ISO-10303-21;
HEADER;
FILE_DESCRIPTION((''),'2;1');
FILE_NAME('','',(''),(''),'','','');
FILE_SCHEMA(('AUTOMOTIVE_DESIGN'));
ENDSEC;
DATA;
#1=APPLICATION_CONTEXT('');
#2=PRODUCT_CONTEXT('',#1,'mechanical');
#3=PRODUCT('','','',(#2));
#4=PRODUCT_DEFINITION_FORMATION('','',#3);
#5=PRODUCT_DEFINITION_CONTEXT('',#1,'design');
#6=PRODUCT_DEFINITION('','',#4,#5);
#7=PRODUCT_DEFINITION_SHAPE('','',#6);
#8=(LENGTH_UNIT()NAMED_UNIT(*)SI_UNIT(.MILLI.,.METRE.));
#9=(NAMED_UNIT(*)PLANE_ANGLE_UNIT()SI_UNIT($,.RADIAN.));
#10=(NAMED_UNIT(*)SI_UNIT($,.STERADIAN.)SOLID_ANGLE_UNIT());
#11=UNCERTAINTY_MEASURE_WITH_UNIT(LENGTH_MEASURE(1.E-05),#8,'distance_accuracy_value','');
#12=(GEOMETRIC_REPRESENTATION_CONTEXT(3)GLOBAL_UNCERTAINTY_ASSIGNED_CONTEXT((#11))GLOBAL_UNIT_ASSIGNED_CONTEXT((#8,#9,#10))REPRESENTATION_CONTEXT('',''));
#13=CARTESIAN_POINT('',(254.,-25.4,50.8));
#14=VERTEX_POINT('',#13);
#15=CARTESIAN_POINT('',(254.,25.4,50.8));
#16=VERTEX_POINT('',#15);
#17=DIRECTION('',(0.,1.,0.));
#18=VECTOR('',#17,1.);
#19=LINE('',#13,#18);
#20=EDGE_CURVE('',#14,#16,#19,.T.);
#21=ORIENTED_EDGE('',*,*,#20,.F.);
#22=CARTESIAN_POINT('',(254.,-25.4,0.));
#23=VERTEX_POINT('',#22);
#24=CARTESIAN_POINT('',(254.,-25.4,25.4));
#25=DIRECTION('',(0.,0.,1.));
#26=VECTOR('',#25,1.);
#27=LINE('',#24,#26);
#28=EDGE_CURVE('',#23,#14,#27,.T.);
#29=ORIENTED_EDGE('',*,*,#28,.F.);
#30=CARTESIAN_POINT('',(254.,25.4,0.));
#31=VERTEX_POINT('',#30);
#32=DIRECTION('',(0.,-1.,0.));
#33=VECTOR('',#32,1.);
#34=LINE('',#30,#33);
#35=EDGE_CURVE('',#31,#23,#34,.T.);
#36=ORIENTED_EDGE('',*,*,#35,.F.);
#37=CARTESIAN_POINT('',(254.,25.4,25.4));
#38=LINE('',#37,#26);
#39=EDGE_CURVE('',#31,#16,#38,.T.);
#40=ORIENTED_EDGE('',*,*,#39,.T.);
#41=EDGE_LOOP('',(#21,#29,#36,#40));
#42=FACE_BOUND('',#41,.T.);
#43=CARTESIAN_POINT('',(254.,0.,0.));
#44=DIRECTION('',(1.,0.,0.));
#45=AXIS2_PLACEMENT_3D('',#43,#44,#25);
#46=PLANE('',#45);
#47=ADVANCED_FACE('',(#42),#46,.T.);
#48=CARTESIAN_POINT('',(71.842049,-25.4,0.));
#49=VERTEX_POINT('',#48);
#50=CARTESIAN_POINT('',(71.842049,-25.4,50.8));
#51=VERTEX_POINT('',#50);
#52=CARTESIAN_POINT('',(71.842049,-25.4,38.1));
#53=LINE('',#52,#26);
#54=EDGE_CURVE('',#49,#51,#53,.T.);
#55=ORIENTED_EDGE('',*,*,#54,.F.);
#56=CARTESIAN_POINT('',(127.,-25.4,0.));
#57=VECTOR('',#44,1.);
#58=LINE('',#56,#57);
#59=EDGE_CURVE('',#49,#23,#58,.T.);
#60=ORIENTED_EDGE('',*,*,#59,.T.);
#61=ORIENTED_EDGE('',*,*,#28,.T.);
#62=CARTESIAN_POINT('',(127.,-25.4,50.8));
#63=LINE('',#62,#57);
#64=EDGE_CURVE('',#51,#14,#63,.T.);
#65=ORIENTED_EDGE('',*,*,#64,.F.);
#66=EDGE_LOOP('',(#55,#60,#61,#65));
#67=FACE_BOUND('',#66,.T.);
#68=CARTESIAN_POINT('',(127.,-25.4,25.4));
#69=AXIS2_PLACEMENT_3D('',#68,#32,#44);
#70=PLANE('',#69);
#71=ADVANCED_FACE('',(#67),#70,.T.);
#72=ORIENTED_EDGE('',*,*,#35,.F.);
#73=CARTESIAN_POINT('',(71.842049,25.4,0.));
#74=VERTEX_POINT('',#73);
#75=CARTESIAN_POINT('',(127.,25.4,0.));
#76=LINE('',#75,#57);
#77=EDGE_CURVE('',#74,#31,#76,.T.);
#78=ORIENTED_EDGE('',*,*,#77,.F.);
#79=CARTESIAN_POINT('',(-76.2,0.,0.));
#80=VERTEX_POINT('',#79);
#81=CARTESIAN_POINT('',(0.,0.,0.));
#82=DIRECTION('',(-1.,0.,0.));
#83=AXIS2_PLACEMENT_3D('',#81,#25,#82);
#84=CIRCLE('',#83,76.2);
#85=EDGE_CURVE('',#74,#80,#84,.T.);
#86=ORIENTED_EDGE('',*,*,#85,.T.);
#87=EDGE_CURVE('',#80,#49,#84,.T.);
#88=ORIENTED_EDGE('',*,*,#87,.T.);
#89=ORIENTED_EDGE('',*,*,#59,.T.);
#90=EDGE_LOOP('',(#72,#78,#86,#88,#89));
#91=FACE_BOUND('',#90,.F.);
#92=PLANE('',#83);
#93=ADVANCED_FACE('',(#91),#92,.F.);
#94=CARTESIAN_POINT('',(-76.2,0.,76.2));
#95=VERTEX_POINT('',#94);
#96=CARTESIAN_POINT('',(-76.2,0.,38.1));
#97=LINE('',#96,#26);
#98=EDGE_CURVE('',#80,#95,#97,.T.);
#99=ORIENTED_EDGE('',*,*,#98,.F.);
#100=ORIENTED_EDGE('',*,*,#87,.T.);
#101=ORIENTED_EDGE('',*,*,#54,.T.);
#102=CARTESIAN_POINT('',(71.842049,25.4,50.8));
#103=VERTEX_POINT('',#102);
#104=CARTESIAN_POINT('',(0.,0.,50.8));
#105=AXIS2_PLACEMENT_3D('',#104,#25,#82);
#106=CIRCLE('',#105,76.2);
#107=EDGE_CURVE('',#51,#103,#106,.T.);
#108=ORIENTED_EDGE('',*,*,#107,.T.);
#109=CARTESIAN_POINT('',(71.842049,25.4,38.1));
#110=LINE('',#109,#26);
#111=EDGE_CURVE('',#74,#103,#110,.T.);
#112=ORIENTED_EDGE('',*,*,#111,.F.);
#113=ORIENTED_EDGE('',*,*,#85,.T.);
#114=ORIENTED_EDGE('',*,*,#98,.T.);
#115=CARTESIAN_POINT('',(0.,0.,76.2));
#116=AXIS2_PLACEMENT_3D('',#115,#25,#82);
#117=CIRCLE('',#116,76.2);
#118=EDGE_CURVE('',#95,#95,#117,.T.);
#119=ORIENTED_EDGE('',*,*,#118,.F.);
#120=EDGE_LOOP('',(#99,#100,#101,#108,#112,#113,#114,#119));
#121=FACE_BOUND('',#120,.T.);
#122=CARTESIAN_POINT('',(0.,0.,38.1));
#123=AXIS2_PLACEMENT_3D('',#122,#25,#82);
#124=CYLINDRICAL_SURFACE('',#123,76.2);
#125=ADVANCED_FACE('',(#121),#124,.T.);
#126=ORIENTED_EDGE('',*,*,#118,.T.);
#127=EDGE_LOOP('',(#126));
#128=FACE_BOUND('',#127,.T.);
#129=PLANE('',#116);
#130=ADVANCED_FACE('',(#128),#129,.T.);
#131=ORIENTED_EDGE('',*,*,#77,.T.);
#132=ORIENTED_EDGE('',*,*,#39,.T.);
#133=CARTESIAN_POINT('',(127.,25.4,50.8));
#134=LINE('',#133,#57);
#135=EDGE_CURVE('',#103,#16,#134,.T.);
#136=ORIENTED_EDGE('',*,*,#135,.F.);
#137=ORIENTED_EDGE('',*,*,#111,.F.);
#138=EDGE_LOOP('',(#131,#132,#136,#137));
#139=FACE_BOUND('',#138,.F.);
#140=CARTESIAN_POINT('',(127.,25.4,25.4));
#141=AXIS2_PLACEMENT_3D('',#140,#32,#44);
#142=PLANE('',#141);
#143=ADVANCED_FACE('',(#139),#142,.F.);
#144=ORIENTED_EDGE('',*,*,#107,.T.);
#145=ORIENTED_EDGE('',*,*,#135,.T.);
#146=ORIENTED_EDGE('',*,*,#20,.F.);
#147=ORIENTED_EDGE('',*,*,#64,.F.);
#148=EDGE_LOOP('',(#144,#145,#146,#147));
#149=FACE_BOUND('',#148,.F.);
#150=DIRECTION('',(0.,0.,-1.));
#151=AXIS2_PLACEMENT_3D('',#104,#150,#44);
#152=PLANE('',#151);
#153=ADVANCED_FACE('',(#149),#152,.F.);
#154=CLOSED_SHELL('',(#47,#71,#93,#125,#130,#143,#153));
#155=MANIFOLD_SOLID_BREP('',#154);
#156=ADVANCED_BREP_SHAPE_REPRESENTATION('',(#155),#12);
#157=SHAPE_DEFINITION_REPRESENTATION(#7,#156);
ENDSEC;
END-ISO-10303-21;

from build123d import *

# Parameters (mm, degrees)
F0_W     = 254
F0_H     = 50.8
F1_DEPTH = 25.4
F3_W     = 76.2
F3_H     = 76.2


with BuildPart() as f1:
    # F0 (on Front) → F1 (new body, symmetric)
    with BuildSketch(Plane.XZ):
        with Locations((127, 25.4)):
            Rectangle(F0_W, F0_H)
    extrude(amount=F1_DEPTH, both=True)

    # F3 (on Front) → F4 (revolve)
    with BuildSketch(Plane.XZ):
        with Locations((-38.1, 38.1)):
            Rectangle(F3_W, F3_H)
    revolve(axis=Axis((0, 0, 56.434907), (0, 0, 1)))


solid = f1.part
